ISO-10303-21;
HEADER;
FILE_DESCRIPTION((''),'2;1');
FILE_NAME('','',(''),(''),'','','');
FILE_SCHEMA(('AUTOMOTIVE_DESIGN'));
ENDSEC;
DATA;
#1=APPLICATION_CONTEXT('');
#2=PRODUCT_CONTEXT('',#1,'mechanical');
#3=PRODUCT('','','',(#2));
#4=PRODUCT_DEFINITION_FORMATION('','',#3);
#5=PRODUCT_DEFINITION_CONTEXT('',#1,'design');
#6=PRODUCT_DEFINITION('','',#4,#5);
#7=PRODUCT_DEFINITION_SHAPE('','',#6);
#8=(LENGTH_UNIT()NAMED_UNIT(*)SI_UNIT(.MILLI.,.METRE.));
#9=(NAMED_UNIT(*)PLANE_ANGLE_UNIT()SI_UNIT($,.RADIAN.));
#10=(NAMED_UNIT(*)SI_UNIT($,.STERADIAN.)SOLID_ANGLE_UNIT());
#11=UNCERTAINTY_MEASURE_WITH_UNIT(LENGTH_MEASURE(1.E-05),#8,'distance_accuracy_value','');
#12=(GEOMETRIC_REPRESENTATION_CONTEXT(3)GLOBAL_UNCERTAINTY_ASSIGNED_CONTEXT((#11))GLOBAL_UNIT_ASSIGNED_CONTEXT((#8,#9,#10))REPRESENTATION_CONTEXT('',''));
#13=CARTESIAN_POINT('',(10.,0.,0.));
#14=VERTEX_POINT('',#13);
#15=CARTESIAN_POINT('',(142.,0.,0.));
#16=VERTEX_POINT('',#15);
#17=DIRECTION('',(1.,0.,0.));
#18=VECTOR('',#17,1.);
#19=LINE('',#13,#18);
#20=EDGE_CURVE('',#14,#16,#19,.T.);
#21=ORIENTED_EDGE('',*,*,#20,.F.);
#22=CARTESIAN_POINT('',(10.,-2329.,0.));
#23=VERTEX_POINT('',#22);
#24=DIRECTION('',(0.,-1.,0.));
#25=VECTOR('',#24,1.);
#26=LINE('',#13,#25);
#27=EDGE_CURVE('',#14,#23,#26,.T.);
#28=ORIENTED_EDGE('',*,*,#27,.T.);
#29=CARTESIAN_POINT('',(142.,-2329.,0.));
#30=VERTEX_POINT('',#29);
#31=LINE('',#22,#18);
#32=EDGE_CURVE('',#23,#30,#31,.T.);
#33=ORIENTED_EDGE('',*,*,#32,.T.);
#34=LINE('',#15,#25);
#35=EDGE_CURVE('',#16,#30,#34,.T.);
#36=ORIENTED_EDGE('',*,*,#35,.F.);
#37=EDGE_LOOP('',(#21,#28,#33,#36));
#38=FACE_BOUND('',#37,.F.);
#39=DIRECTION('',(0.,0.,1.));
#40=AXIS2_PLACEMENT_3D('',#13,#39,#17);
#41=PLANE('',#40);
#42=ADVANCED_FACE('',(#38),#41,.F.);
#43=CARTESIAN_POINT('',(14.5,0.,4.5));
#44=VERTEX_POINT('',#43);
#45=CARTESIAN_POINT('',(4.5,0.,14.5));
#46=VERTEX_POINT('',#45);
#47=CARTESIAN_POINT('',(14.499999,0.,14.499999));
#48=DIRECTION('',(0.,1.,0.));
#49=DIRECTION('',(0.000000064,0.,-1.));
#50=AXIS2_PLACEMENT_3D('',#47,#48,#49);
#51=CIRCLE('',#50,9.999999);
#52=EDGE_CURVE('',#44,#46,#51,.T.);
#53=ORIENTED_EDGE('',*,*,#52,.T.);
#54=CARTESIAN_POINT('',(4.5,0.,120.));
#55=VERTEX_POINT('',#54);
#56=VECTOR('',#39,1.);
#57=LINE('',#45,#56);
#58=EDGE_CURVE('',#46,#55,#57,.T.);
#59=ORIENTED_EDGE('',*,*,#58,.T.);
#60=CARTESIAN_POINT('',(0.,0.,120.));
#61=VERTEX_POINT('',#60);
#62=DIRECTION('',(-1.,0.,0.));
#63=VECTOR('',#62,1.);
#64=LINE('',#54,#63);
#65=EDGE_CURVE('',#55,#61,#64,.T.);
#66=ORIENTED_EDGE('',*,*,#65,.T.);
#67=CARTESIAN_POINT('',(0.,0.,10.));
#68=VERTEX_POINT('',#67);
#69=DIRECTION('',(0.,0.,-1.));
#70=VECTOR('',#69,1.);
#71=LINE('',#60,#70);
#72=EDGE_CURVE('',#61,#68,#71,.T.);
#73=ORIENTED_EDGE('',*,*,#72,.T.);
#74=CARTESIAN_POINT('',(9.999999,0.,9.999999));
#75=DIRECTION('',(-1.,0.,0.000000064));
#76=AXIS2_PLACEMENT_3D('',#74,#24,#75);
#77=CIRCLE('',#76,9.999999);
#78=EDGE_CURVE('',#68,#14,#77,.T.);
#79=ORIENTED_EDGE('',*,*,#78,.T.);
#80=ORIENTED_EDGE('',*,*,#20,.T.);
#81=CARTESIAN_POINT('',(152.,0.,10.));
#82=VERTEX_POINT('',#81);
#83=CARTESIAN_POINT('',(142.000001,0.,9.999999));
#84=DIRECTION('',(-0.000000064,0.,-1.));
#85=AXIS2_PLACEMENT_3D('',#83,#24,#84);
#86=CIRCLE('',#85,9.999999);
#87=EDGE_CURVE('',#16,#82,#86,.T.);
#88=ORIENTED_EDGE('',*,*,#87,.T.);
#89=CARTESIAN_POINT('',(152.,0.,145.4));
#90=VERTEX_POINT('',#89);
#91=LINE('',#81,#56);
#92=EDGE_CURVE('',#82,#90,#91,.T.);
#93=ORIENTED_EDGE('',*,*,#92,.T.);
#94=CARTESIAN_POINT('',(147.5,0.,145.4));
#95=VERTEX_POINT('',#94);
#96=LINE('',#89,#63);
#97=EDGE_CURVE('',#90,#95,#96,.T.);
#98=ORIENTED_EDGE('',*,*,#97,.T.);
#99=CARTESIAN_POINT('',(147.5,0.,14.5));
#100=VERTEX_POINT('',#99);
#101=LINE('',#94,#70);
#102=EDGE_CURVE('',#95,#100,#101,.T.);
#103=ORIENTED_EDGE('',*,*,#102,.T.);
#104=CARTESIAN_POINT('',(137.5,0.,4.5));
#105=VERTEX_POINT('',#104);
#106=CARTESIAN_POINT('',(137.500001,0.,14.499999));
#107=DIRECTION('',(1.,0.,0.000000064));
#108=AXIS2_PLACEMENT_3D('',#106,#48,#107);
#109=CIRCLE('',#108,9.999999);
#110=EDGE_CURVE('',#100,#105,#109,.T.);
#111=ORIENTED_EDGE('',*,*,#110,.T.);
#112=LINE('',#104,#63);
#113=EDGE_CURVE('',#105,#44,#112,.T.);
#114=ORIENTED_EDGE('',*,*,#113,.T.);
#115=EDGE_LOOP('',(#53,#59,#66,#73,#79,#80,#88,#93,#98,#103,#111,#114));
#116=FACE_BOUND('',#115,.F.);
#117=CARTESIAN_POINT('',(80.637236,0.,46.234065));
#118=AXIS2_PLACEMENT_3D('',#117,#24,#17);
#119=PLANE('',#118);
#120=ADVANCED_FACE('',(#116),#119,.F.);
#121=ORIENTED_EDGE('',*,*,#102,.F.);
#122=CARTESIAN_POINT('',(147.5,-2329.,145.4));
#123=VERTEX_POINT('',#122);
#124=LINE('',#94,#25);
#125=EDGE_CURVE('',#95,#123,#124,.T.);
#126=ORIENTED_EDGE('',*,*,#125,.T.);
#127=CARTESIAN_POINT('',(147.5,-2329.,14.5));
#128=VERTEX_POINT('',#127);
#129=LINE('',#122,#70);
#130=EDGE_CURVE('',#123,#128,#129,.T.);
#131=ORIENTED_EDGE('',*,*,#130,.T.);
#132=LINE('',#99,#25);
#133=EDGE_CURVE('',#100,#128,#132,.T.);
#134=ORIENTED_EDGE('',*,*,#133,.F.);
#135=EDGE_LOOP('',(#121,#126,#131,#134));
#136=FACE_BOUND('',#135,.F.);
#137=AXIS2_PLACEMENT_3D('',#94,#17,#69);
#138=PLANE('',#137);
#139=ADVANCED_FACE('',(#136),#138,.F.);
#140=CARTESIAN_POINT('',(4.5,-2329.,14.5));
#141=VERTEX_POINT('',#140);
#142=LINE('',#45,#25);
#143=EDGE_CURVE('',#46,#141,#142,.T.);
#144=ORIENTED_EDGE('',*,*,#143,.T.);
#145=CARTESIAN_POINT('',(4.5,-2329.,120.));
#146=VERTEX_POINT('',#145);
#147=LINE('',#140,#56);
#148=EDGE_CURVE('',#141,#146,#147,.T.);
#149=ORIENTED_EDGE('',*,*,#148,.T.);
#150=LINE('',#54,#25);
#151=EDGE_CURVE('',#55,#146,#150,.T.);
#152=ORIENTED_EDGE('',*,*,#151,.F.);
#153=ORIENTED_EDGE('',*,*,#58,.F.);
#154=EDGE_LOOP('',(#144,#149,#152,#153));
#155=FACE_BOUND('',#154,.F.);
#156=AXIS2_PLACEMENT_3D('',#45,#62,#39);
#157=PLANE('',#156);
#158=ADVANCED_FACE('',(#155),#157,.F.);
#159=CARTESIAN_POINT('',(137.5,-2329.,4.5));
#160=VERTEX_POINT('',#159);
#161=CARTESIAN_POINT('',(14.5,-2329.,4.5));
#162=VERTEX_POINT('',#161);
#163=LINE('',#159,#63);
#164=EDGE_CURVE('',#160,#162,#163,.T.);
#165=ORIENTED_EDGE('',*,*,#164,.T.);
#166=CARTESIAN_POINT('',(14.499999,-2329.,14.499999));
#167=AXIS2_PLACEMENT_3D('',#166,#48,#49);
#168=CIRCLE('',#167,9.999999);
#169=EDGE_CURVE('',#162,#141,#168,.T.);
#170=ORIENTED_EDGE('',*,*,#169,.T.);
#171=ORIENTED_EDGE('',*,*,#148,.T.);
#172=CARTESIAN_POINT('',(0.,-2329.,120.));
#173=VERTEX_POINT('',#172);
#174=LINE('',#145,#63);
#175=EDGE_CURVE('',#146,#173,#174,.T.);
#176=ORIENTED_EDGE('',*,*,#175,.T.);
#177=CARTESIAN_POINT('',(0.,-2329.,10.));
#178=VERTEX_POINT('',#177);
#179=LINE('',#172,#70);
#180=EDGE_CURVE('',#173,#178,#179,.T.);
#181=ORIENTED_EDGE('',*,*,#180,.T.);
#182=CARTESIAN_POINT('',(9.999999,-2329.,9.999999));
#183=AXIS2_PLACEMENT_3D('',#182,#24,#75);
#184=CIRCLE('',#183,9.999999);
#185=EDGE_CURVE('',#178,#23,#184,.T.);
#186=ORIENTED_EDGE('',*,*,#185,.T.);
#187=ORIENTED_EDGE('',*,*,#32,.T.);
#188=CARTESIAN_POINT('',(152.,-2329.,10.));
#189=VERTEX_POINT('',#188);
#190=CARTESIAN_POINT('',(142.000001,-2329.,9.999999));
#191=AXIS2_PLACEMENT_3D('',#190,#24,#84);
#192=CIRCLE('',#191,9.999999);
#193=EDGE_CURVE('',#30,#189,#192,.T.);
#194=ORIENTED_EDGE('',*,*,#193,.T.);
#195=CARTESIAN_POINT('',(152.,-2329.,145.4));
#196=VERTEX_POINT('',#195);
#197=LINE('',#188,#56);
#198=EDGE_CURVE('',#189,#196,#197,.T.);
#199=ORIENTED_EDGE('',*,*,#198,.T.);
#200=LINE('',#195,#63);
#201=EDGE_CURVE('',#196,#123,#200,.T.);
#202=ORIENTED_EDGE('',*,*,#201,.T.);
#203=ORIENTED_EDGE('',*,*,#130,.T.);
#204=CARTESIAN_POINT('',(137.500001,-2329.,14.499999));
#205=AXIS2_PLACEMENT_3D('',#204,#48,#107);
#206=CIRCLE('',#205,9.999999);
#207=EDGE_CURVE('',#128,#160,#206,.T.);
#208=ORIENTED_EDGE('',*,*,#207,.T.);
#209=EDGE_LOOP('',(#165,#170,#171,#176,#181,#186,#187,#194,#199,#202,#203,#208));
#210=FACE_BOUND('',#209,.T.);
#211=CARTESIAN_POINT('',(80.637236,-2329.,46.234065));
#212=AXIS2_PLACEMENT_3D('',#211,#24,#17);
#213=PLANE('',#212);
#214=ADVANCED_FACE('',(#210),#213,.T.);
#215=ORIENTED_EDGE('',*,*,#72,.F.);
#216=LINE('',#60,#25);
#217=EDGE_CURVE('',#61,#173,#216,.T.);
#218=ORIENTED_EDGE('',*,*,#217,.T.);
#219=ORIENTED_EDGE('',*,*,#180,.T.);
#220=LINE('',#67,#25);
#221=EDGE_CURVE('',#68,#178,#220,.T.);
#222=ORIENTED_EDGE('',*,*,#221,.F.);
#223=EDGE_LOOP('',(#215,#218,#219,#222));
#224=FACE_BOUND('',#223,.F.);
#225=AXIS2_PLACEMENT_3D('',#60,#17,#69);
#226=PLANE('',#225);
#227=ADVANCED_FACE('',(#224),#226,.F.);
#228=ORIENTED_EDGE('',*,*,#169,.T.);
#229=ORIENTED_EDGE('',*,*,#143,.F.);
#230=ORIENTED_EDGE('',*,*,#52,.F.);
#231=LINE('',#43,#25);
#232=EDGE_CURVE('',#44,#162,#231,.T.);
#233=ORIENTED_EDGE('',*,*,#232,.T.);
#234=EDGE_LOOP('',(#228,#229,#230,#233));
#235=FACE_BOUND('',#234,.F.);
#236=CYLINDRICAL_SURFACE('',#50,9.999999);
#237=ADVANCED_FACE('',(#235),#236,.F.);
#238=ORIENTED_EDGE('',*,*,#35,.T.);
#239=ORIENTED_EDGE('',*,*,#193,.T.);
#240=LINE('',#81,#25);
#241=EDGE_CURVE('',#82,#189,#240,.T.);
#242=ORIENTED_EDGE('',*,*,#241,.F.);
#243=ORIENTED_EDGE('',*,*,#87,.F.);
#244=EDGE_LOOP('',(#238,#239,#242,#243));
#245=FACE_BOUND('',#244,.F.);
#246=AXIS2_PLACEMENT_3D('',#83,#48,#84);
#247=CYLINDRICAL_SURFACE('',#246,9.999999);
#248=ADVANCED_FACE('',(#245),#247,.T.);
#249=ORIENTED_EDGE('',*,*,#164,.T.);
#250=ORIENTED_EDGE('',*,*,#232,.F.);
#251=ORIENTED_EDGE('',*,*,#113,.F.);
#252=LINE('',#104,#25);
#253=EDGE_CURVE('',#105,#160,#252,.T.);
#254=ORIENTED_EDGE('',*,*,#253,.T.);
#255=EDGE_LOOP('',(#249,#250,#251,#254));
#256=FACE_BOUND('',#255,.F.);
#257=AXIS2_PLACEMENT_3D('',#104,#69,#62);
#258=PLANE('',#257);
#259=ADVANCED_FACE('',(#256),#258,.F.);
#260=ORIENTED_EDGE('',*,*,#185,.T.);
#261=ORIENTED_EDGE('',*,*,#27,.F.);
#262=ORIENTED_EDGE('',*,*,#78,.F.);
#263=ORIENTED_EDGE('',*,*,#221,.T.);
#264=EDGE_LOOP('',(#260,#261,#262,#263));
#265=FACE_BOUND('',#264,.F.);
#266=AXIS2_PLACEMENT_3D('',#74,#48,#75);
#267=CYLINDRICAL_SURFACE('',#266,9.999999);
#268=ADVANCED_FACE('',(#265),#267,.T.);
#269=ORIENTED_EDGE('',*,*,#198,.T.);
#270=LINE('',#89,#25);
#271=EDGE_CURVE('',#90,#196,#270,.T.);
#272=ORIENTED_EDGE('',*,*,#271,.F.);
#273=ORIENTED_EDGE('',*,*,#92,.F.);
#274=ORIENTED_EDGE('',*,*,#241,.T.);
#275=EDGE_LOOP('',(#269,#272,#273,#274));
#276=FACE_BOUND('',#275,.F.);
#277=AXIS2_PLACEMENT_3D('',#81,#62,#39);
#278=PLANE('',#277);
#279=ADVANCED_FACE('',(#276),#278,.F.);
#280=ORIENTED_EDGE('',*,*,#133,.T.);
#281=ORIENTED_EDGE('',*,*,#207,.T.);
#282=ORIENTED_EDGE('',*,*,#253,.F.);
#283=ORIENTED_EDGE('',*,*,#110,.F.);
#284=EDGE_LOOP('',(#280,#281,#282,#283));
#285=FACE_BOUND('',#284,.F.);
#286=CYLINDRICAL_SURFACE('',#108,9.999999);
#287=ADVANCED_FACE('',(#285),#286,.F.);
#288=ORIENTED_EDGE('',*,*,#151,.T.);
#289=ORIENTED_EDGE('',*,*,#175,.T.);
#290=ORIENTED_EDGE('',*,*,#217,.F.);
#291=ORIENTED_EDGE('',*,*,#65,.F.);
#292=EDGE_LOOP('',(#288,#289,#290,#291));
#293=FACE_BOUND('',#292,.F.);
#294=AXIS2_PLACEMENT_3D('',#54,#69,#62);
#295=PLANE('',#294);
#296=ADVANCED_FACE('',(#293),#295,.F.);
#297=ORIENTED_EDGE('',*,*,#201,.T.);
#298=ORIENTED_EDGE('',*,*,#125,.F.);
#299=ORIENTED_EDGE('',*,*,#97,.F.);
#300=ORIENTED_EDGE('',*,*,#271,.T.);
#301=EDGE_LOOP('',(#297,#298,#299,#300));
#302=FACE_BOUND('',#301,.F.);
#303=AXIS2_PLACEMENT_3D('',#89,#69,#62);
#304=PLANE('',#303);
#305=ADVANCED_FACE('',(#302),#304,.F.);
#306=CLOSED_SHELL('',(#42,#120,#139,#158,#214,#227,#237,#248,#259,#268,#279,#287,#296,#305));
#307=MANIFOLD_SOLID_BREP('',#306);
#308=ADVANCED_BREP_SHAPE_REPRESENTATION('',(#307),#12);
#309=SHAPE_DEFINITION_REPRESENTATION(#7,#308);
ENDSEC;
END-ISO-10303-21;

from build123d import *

# Parameters (mm, degrees)
F1_DEPTH = 2329


with BuildPart() as f1:
    # F0 (on Front) → F1 (new body)
    with BuildSketch(Plane.XZ):
        with BuildLine():
            ThreePointArc((0, 10), (2.928932, 2.928932), (10, 0))
            Line((10, 0), (142, 0))
            ThreePointArc((142, 0), (149.071068, 2.928932), (152, 10))
            Line((152, 10), (152, 145.4))
            Line((152, 145.4), (147.5, 145.4))
            Line((147.5, 145.4), (147.5, 14.5))
            ThreePointArc((147.5, 14.5), (144.571068, 7.428932), (137.5, 4.5))
            Line((137.5, 4.5), (14.5, 4.5))
            ThreePointArc((14.5, 4.5), (7.428932, 7.428932), (4.5, 14.5))
            Line((4.5, 14.5), (4.5, 120))
            Line((4.5, 120), (0, 120))
            Line((0, 120), (0, 10))
        make_face()
    extrude(amount=F1_DEPTH)


solid = f1.part
